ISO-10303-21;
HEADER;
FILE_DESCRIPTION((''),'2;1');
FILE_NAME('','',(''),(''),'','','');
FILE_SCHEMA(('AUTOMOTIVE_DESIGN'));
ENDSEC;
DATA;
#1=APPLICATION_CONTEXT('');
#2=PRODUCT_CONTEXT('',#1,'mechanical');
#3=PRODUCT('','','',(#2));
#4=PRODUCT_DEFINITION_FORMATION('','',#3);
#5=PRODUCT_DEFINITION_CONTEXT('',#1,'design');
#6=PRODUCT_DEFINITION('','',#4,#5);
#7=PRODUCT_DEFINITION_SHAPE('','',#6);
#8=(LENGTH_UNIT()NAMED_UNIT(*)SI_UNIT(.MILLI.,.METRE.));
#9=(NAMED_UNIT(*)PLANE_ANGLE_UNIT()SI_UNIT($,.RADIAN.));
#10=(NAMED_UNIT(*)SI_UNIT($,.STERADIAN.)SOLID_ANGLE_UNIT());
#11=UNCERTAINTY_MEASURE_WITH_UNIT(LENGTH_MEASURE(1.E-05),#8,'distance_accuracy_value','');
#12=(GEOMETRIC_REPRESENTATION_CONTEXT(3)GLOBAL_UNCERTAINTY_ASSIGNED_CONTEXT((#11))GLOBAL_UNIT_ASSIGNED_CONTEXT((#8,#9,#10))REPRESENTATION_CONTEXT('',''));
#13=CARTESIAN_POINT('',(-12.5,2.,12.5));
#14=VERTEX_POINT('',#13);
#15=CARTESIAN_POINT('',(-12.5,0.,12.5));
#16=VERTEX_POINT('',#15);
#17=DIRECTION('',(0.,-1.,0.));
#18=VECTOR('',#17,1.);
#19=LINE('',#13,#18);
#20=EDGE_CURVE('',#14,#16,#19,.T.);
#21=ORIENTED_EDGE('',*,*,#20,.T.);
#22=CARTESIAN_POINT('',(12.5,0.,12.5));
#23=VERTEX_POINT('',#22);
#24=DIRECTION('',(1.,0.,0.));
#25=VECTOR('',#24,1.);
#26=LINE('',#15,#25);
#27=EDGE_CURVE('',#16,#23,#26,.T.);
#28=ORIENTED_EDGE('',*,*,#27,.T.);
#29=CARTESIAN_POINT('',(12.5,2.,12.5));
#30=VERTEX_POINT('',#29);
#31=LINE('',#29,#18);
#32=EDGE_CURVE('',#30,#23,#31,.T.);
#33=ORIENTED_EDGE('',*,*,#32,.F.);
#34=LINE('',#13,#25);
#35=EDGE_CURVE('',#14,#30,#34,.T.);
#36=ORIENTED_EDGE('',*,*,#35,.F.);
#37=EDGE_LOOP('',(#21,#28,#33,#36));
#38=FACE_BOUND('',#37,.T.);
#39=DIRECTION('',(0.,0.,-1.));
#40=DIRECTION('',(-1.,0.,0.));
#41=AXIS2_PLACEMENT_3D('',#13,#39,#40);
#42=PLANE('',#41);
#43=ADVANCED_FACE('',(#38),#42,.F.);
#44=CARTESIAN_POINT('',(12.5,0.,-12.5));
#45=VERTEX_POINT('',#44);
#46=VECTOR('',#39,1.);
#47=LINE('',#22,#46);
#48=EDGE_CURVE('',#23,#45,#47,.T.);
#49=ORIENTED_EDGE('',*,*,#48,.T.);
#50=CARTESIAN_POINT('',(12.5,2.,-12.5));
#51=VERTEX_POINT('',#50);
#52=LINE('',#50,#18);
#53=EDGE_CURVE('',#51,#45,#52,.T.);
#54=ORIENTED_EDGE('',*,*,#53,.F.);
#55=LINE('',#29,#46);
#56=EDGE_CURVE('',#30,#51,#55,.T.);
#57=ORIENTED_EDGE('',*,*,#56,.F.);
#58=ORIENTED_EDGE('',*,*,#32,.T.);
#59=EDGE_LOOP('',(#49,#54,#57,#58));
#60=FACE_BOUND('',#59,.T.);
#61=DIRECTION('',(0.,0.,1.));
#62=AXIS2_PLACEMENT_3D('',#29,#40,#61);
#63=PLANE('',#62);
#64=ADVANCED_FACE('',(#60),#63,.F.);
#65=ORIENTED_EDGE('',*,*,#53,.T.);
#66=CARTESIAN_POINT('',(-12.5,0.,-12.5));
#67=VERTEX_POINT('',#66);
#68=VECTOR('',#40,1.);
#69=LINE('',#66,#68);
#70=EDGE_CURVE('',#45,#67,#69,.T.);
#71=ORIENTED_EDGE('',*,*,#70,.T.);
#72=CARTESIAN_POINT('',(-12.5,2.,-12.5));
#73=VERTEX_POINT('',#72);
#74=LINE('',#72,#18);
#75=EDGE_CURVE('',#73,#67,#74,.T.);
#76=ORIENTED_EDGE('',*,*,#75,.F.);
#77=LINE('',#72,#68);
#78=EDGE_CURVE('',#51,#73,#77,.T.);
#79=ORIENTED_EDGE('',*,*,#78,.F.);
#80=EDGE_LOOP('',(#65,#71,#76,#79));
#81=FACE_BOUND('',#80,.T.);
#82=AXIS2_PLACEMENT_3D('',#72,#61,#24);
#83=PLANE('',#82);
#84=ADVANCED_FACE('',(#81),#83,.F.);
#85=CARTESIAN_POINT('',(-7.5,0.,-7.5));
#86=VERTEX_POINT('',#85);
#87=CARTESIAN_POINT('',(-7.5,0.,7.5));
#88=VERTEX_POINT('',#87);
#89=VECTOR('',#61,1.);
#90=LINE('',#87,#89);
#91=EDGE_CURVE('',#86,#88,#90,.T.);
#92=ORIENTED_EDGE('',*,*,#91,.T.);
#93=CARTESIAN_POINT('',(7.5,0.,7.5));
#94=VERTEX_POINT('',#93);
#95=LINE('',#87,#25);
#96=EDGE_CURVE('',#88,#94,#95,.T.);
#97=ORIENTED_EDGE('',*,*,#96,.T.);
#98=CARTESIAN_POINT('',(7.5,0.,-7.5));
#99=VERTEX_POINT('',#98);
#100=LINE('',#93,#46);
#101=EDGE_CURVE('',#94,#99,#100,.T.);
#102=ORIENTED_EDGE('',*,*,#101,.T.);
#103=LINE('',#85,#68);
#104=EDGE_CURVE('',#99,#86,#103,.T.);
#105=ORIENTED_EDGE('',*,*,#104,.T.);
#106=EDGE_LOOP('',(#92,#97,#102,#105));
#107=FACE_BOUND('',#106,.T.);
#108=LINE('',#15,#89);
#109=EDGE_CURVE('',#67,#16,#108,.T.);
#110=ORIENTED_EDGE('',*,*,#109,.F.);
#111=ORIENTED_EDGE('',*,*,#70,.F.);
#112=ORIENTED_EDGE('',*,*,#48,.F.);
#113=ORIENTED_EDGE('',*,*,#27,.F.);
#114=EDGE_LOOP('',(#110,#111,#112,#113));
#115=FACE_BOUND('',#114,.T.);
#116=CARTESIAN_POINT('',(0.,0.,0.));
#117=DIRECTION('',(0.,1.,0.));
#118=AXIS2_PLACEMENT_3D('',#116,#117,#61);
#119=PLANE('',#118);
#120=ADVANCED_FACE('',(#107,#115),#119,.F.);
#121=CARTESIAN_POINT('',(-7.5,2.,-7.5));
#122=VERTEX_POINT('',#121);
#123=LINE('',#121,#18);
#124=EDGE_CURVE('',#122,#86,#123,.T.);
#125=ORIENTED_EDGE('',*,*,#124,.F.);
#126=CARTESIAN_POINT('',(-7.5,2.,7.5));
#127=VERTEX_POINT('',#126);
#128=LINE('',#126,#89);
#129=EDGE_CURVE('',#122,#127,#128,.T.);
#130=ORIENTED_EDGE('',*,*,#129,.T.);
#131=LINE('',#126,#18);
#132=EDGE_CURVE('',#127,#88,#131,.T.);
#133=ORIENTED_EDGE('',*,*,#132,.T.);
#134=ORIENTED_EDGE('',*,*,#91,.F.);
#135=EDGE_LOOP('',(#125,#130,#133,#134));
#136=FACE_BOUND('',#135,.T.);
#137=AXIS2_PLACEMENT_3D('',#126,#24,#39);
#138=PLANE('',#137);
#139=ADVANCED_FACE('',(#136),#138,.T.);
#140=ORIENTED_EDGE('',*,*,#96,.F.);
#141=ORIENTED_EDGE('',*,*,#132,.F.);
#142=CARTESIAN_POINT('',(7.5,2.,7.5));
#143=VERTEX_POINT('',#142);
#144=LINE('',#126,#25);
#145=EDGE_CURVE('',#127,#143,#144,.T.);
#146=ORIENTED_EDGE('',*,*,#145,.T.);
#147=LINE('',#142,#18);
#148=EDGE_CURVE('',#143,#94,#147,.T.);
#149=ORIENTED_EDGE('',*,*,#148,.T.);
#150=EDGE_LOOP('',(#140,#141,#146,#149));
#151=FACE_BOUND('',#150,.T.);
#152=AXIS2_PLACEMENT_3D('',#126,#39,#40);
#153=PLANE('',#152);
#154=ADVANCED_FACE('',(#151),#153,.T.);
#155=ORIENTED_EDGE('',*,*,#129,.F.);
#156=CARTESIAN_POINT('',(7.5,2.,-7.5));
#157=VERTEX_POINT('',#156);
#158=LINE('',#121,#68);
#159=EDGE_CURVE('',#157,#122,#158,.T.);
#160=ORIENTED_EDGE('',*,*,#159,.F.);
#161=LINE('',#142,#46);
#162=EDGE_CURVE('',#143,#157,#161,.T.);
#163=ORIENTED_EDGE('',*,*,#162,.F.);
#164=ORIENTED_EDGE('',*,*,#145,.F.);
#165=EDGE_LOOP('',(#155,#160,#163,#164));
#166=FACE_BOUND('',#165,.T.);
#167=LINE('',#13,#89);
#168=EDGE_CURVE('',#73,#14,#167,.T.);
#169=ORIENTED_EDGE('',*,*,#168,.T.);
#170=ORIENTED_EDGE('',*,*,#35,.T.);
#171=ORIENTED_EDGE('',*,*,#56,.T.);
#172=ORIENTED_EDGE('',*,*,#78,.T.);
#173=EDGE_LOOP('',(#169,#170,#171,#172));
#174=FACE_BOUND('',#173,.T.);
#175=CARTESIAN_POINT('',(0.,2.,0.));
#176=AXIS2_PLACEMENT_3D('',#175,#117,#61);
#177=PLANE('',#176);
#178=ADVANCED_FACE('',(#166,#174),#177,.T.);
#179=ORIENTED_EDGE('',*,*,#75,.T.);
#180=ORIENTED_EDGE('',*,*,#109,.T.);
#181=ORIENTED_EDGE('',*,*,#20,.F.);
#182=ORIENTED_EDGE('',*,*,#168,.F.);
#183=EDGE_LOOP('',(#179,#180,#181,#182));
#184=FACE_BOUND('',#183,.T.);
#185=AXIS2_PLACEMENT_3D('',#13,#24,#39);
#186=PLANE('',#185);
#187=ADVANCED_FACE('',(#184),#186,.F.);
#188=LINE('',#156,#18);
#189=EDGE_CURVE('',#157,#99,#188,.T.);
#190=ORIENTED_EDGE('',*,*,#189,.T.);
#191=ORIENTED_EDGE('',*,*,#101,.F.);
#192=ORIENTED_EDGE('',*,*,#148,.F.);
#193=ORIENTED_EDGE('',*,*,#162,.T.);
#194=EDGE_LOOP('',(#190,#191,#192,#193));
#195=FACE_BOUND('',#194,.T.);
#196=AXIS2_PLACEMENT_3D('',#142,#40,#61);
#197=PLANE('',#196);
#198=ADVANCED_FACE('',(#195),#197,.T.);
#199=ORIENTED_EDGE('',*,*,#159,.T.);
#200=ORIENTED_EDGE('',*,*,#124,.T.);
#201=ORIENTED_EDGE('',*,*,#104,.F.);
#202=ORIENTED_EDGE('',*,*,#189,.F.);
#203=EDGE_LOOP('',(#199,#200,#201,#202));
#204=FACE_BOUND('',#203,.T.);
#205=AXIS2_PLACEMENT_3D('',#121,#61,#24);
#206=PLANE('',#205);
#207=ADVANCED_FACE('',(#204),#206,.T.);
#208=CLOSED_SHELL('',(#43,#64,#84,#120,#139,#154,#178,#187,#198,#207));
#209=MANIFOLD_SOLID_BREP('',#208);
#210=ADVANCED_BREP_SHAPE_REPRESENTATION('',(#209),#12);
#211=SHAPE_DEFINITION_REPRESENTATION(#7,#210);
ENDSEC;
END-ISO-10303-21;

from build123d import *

# Parameters (mm, degrees)
SKETCH1_W           = 25
SKETCH1_H           = 25
SKETCH1_W_2         = 15
SKETCH1_H_2         = 15
BOSS_EXTRUDE1_DEPTH = 2


with BuildPart() as part:
    # Sketch1 → Boss-Extrude1 (new body)
    with BuildSketch(Plane(origin=(0, 0, 0), x_dir=(1, 0, 0), z_dir=(0, 1, 0))):
        Rectangle(SKETCH1_W, SKETCH1_H)
        Rectangle(SKETCH1_W_2, SKETCH1_H_2, mode=Mode.SUBTRACT)
    extrude(amount=BOSS_EXTRUDE1_DEPTH)


solid = part.part
